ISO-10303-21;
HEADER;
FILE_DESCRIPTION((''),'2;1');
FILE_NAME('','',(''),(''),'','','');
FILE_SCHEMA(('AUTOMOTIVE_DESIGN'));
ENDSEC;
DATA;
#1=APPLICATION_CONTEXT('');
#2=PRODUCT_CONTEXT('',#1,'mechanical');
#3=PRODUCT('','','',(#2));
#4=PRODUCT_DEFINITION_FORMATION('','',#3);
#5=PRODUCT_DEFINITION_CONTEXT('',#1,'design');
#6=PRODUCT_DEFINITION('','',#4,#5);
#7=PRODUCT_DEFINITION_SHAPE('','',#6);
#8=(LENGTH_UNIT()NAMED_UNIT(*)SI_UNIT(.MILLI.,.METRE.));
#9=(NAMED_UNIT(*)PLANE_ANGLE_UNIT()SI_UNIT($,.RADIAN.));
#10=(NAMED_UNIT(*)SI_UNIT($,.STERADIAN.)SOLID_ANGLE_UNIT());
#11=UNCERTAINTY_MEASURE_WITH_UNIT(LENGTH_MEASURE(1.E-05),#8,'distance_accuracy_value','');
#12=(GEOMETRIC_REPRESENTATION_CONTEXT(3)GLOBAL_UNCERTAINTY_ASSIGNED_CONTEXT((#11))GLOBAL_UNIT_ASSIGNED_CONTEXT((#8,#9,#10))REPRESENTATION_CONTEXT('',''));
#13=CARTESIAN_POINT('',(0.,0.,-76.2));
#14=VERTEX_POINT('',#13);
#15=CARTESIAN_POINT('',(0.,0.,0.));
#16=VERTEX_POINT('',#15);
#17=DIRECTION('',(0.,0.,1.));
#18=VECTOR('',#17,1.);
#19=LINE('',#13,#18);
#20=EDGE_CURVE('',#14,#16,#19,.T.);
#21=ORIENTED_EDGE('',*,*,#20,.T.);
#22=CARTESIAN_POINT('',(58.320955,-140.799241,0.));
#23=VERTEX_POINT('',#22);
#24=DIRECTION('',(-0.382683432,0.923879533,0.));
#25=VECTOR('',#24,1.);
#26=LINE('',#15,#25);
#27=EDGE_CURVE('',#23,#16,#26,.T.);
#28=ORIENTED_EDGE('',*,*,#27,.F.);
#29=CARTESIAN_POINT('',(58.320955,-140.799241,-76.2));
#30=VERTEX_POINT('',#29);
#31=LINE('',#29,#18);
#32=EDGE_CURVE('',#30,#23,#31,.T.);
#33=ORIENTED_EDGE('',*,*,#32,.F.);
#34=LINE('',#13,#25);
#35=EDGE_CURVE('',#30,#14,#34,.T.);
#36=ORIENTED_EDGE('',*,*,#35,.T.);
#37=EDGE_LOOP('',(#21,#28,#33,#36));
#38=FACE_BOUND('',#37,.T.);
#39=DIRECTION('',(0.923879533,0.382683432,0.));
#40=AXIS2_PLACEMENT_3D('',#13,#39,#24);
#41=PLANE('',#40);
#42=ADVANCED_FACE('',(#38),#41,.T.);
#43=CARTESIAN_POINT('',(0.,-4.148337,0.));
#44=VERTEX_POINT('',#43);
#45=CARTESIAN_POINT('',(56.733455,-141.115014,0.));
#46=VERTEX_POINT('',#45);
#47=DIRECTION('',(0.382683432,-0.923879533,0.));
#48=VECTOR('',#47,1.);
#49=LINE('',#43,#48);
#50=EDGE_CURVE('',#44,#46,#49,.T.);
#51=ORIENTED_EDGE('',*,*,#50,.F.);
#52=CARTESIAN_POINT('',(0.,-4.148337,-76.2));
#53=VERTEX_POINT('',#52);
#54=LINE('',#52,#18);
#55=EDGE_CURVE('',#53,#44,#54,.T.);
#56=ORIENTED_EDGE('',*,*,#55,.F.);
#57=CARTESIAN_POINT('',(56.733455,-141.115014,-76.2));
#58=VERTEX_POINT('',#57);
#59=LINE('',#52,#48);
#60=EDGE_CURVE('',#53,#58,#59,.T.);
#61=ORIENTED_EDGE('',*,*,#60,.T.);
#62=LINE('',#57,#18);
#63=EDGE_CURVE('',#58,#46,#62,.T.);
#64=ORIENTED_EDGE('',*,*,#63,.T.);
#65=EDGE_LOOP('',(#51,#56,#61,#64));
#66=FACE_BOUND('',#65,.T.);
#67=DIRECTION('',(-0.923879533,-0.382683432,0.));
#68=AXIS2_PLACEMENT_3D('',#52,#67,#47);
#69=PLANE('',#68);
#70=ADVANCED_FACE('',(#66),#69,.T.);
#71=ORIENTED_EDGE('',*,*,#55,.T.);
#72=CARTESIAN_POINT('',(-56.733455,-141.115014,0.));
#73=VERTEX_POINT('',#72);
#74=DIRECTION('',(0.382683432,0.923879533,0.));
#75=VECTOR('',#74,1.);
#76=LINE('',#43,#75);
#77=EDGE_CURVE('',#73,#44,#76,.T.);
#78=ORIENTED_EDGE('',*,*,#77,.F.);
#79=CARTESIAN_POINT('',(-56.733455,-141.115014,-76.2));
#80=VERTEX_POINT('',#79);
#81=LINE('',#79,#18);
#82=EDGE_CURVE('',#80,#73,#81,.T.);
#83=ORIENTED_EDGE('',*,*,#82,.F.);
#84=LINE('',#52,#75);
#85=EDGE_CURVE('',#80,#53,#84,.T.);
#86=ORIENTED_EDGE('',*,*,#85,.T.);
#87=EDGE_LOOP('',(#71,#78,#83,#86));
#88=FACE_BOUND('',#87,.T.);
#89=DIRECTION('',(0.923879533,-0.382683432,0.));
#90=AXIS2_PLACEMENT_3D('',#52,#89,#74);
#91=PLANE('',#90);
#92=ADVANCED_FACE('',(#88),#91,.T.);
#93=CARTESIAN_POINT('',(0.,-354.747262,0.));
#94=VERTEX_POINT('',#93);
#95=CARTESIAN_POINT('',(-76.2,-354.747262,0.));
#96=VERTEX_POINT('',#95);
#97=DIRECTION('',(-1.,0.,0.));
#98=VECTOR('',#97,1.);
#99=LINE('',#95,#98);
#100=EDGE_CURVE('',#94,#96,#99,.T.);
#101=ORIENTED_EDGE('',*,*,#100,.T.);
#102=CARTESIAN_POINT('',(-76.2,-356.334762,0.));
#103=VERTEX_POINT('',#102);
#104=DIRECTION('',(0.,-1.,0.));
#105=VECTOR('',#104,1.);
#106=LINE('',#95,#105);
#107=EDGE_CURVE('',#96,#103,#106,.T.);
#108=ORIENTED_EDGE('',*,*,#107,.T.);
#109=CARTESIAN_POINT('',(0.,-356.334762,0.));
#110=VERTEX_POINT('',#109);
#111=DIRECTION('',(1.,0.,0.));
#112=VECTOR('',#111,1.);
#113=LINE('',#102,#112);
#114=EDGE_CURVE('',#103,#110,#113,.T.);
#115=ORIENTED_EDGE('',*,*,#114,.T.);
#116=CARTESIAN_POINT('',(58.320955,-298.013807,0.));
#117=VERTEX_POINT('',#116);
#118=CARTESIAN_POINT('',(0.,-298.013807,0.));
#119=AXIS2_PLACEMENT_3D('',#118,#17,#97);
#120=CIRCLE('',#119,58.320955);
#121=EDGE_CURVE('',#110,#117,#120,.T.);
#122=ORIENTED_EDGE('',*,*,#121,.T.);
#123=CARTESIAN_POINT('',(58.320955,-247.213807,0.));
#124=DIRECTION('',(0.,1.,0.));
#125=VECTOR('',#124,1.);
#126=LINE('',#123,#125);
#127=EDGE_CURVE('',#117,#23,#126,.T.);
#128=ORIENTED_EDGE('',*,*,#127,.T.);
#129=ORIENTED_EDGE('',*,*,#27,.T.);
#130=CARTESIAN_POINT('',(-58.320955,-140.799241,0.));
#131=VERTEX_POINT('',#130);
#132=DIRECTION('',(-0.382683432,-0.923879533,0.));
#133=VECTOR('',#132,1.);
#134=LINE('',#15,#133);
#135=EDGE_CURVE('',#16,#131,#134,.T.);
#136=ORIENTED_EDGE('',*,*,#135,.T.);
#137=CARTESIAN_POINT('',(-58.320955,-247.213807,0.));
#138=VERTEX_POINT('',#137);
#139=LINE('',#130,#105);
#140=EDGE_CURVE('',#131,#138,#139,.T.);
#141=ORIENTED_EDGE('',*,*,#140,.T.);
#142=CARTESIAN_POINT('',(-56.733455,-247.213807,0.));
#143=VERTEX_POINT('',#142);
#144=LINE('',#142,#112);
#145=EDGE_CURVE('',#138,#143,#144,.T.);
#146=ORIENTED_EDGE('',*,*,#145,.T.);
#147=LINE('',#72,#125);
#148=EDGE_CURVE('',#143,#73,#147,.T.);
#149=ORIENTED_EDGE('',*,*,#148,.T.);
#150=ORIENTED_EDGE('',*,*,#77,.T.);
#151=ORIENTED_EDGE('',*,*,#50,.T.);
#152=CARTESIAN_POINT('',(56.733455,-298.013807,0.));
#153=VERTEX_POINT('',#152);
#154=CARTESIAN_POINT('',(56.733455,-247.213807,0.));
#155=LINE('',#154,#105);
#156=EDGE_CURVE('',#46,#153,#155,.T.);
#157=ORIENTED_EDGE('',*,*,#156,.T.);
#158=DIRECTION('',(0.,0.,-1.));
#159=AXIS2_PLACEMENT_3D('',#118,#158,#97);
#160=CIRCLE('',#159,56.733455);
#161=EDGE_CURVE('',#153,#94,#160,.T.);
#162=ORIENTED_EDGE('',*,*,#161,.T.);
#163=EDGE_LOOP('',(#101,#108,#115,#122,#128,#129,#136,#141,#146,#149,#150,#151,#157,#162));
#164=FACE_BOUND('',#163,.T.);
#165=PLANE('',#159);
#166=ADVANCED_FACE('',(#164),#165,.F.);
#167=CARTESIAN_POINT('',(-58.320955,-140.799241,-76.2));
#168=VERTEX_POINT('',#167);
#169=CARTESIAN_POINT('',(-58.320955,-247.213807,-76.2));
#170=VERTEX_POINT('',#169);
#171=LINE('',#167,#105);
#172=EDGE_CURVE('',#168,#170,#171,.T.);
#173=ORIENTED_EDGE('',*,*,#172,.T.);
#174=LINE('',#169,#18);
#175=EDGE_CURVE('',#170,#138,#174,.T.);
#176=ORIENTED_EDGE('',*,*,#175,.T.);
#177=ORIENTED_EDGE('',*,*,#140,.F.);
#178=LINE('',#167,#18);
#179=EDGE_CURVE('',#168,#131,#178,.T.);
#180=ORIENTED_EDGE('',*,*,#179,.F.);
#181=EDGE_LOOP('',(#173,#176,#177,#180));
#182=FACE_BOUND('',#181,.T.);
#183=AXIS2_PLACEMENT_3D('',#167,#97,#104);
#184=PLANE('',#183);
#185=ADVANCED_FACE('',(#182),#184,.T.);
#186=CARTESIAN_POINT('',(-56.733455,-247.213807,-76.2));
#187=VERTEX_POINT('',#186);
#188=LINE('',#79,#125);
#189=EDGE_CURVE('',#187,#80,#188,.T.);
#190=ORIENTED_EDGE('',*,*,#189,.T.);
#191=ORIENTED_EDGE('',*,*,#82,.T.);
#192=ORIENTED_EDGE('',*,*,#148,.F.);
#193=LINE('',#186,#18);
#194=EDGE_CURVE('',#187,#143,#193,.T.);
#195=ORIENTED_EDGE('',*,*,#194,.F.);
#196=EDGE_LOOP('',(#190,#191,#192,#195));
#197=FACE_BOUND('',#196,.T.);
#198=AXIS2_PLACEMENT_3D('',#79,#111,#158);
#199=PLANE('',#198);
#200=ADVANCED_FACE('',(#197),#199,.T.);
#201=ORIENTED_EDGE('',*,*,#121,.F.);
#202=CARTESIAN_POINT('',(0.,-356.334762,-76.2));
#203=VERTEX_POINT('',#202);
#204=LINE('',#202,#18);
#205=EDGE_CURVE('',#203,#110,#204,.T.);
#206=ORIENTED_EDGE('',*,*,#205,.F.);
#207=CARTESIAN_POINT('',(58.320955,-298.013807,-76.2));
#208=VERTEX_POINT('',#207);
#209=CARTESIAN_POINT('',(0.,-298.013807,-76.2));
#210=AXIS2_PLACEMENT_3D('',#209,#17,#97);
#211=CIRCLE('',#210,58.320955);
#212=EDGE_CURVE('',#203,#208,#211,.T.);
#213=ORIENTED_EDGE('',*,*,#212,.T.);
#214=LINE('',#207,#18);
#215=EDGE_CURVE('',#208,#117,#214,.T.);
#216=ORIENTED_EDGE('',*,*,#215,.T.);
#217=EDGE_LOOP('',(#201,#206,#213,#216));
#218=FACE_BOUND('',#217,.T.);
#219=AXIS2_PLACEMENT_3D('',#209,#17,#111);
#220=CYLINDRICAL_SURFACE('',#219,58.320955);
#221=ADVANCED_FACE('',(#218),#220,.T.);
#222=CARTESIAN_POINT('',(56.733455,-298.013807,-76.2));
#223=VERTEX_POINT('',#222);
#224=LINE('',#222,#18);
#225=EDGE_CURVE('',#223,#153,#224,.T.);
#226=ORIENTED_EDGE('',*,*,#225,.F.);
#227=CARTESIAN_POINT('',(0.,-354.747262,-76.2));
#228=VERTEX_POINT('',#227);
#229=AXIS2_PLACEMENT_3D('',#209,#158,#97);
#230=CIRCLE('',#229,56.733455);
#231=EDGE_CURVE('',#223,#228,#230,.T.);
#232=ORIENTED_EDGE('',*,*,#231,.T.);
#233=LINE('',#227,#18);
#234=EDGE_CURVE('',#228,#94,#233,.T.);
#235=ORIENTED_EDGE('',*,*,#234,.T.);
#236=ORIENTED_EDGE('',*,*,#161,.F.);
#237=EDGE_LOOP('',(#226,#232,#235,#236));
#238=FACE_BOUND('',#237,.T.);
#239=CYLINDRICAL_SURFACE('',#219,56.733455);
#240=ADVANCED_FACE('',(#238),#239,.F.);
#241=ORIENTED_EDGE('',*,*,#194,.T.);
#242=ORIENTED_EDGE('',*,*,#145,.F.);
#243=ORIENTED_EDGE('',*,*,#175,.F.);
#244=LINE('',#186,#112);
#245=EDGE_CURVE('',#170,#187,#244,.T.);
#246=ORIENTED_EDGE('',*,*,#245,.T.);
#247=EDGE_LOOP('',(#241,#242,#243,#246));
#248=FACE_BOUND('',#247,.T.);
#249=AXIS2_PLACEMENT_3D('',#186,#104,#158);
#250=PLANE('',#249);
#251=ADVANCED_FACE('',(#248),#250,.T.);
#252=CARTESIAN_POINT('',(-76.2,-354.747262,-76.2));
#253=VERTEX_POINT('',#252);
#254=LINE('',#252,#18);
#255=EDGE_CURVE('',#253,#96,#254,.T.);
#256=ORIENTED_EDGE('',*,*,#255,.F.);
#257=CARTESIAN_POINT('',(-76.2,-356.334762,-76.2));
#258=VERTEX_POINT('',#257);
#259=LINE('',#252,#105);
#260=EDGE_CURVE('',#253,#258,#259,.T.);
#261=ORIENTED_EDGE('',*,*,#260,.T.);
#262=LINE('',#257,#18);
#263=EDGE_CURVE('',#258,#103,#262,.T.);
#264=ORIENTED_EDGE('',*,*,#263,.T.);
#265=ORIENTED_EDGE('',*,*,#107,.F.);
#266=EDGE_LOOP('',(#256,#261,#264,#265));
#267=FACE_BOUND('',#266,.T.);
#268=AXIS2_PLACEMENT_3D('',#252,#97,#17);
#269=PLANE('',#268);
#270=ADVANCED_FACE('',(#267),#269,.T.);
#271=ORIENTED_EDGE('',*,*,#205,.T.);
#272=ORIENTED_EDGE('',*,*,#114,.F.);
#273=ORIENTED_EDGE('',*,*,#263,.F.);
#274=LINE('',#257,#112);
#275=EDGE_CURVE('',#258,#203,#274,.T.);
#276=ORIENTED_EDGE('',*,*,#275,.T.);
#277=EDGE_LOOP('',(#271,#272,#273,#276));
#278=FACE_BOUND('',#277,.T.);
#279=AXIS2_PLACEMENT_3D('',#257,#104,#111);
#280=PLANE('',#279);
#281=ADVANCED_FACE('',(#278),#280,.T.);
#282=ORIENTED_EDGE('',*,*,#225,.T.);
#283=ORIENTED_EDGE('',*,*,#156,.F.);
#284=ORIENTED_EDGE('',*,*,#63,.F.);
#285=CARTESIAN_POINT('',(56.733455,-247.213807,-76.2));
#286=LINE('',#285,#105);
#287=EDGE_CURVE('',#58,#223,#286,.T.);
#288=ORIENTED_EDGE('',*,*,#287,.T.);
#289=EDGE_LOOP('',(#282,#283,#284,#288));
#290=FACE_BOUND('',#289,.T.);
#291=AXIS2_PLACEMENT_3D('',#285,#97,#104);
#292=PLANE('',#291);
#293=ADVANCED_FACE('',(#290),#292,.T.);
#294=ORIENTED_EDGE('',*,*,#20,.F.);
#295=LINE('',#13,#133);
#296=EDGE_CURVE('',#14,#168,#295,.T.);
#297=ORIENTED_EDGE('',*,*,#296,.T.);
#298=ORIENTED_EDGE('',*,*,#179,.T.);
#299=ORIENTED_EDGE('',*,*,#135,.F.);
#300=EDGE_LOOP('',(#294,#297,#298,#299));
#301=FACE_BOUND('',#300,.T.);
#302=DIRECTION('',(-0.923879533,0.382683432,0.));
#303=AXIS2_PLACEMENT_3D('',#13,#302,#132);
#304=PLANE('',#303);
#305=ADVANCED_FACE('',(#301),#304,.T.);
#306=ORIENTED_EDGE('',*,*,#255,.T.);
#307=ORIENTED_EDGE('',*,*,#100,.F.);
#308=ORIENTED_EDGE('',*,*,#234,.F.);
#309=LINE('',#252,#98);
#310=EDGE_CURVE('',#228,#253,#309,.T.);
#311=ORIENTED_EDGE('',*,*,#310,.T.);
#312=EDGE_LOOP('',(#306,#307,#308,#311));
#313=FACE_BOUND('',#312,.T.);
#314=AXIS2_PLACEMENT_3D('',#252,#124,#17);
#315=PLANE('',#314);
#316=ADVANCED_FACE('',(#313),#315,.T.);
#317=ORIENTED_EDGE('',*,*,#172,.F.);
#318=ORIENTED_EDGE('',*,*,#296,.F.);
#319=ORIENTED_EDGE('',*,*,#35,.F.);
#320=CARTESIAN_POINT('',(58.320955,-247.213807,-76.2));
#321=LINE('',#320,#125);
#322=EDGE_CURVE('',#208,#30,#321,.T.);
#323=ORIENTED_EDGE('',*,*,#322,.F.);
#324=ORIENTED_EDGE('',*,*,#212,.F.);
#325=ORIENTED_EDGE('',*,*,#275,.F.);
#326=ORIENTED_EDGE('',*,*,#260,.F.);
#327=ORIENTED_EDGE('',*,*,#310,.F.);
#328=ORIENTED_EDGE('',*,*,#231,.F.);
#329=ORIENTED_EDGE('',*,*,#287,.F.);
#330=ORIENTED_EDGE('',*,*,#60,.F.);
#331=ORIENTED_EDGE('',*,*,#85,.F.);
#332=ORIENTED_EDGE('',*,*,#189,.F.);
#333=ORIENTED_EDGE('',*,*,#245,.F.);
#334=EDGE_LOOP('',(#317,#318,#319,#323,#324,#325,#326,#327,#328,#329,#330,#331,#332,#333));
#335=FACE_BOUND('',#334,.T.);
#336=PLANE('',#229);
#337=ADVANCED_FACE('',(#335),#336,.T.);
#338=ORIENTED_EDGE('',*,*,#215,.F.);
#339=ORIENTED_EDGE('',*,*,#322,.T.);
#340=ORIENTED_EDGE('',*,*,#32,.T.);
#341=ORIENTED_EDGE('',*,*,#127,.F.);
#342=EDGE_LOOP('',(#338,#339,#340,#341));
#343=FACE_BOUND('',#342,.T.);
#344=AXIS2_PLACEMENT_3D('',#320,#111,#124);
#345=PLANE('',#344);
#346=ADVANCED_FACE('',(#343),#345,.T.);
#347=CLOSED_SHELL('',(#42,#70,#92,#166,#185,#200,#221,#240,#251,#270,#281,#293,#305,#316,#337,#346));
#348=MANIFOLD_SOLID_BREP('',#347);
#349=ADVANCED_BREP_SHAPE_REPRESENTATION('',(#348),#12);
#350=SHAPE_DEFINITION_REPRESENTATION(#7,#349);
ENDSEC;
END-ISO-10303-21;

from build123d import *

# Parameters (mm, degrees)
BOSS_EXTRUDE1_DEPTH = 76.2


with BuildPart() as part:
    # Sketch2 → Boss-Extrude1 (new body)
    with BuildSketch(Plane.XY):
        with BuildLine():
            Line((0, 0), (58.320955092, -140.799240755))
            Line((58.320955092, -140.799240755), (58.320955092, -247.213806647))
            Line((58.320955092, -247.213806647), (58.320955092, -298.013806647))
            ThreePointArc((58.320955092, -298.013806647), (41.239142831, -339.252949479), (0, -356.33476174))
            Line((0, -356.33476174), (-76.2, -356.33476174))
            Line((-76.2, -356.33476174), (-76.2, -354.74726174))
            Line((-76.2, -354.74726174), (0, -354.74726174))
            ThreePointArc((0, -354.74726174), (40.116610816, -338.130417463), (56.733455092, -298.013806647))
            Line((56.733455092, -298.013806647), (56.733455092, -247.213806647))
            Line((56.733455092, -247.213806647), (56.733455092, -141.115014138))
            Line((56.733455092, -141.115014138), (0, -4.148337413))
            Line((0, -4.148337413), (-56.733455092, -141.115014138))
            Line((-56.733455092, -141.115014138), (-56.733455092, -247.213806647))
            Line((-56.733455092, -247.213806647), (-58.320955092, -247.213806647))
            Line((-58.320955092, -247.213806647), (-58.320955092, -140.799240755))
            Line((-58.320955092, -140.799240755), (0, 0))
        make_face()
    extrude(amount=-BOSS_EXTRUDE1_DEPTH)


solid = part.part
